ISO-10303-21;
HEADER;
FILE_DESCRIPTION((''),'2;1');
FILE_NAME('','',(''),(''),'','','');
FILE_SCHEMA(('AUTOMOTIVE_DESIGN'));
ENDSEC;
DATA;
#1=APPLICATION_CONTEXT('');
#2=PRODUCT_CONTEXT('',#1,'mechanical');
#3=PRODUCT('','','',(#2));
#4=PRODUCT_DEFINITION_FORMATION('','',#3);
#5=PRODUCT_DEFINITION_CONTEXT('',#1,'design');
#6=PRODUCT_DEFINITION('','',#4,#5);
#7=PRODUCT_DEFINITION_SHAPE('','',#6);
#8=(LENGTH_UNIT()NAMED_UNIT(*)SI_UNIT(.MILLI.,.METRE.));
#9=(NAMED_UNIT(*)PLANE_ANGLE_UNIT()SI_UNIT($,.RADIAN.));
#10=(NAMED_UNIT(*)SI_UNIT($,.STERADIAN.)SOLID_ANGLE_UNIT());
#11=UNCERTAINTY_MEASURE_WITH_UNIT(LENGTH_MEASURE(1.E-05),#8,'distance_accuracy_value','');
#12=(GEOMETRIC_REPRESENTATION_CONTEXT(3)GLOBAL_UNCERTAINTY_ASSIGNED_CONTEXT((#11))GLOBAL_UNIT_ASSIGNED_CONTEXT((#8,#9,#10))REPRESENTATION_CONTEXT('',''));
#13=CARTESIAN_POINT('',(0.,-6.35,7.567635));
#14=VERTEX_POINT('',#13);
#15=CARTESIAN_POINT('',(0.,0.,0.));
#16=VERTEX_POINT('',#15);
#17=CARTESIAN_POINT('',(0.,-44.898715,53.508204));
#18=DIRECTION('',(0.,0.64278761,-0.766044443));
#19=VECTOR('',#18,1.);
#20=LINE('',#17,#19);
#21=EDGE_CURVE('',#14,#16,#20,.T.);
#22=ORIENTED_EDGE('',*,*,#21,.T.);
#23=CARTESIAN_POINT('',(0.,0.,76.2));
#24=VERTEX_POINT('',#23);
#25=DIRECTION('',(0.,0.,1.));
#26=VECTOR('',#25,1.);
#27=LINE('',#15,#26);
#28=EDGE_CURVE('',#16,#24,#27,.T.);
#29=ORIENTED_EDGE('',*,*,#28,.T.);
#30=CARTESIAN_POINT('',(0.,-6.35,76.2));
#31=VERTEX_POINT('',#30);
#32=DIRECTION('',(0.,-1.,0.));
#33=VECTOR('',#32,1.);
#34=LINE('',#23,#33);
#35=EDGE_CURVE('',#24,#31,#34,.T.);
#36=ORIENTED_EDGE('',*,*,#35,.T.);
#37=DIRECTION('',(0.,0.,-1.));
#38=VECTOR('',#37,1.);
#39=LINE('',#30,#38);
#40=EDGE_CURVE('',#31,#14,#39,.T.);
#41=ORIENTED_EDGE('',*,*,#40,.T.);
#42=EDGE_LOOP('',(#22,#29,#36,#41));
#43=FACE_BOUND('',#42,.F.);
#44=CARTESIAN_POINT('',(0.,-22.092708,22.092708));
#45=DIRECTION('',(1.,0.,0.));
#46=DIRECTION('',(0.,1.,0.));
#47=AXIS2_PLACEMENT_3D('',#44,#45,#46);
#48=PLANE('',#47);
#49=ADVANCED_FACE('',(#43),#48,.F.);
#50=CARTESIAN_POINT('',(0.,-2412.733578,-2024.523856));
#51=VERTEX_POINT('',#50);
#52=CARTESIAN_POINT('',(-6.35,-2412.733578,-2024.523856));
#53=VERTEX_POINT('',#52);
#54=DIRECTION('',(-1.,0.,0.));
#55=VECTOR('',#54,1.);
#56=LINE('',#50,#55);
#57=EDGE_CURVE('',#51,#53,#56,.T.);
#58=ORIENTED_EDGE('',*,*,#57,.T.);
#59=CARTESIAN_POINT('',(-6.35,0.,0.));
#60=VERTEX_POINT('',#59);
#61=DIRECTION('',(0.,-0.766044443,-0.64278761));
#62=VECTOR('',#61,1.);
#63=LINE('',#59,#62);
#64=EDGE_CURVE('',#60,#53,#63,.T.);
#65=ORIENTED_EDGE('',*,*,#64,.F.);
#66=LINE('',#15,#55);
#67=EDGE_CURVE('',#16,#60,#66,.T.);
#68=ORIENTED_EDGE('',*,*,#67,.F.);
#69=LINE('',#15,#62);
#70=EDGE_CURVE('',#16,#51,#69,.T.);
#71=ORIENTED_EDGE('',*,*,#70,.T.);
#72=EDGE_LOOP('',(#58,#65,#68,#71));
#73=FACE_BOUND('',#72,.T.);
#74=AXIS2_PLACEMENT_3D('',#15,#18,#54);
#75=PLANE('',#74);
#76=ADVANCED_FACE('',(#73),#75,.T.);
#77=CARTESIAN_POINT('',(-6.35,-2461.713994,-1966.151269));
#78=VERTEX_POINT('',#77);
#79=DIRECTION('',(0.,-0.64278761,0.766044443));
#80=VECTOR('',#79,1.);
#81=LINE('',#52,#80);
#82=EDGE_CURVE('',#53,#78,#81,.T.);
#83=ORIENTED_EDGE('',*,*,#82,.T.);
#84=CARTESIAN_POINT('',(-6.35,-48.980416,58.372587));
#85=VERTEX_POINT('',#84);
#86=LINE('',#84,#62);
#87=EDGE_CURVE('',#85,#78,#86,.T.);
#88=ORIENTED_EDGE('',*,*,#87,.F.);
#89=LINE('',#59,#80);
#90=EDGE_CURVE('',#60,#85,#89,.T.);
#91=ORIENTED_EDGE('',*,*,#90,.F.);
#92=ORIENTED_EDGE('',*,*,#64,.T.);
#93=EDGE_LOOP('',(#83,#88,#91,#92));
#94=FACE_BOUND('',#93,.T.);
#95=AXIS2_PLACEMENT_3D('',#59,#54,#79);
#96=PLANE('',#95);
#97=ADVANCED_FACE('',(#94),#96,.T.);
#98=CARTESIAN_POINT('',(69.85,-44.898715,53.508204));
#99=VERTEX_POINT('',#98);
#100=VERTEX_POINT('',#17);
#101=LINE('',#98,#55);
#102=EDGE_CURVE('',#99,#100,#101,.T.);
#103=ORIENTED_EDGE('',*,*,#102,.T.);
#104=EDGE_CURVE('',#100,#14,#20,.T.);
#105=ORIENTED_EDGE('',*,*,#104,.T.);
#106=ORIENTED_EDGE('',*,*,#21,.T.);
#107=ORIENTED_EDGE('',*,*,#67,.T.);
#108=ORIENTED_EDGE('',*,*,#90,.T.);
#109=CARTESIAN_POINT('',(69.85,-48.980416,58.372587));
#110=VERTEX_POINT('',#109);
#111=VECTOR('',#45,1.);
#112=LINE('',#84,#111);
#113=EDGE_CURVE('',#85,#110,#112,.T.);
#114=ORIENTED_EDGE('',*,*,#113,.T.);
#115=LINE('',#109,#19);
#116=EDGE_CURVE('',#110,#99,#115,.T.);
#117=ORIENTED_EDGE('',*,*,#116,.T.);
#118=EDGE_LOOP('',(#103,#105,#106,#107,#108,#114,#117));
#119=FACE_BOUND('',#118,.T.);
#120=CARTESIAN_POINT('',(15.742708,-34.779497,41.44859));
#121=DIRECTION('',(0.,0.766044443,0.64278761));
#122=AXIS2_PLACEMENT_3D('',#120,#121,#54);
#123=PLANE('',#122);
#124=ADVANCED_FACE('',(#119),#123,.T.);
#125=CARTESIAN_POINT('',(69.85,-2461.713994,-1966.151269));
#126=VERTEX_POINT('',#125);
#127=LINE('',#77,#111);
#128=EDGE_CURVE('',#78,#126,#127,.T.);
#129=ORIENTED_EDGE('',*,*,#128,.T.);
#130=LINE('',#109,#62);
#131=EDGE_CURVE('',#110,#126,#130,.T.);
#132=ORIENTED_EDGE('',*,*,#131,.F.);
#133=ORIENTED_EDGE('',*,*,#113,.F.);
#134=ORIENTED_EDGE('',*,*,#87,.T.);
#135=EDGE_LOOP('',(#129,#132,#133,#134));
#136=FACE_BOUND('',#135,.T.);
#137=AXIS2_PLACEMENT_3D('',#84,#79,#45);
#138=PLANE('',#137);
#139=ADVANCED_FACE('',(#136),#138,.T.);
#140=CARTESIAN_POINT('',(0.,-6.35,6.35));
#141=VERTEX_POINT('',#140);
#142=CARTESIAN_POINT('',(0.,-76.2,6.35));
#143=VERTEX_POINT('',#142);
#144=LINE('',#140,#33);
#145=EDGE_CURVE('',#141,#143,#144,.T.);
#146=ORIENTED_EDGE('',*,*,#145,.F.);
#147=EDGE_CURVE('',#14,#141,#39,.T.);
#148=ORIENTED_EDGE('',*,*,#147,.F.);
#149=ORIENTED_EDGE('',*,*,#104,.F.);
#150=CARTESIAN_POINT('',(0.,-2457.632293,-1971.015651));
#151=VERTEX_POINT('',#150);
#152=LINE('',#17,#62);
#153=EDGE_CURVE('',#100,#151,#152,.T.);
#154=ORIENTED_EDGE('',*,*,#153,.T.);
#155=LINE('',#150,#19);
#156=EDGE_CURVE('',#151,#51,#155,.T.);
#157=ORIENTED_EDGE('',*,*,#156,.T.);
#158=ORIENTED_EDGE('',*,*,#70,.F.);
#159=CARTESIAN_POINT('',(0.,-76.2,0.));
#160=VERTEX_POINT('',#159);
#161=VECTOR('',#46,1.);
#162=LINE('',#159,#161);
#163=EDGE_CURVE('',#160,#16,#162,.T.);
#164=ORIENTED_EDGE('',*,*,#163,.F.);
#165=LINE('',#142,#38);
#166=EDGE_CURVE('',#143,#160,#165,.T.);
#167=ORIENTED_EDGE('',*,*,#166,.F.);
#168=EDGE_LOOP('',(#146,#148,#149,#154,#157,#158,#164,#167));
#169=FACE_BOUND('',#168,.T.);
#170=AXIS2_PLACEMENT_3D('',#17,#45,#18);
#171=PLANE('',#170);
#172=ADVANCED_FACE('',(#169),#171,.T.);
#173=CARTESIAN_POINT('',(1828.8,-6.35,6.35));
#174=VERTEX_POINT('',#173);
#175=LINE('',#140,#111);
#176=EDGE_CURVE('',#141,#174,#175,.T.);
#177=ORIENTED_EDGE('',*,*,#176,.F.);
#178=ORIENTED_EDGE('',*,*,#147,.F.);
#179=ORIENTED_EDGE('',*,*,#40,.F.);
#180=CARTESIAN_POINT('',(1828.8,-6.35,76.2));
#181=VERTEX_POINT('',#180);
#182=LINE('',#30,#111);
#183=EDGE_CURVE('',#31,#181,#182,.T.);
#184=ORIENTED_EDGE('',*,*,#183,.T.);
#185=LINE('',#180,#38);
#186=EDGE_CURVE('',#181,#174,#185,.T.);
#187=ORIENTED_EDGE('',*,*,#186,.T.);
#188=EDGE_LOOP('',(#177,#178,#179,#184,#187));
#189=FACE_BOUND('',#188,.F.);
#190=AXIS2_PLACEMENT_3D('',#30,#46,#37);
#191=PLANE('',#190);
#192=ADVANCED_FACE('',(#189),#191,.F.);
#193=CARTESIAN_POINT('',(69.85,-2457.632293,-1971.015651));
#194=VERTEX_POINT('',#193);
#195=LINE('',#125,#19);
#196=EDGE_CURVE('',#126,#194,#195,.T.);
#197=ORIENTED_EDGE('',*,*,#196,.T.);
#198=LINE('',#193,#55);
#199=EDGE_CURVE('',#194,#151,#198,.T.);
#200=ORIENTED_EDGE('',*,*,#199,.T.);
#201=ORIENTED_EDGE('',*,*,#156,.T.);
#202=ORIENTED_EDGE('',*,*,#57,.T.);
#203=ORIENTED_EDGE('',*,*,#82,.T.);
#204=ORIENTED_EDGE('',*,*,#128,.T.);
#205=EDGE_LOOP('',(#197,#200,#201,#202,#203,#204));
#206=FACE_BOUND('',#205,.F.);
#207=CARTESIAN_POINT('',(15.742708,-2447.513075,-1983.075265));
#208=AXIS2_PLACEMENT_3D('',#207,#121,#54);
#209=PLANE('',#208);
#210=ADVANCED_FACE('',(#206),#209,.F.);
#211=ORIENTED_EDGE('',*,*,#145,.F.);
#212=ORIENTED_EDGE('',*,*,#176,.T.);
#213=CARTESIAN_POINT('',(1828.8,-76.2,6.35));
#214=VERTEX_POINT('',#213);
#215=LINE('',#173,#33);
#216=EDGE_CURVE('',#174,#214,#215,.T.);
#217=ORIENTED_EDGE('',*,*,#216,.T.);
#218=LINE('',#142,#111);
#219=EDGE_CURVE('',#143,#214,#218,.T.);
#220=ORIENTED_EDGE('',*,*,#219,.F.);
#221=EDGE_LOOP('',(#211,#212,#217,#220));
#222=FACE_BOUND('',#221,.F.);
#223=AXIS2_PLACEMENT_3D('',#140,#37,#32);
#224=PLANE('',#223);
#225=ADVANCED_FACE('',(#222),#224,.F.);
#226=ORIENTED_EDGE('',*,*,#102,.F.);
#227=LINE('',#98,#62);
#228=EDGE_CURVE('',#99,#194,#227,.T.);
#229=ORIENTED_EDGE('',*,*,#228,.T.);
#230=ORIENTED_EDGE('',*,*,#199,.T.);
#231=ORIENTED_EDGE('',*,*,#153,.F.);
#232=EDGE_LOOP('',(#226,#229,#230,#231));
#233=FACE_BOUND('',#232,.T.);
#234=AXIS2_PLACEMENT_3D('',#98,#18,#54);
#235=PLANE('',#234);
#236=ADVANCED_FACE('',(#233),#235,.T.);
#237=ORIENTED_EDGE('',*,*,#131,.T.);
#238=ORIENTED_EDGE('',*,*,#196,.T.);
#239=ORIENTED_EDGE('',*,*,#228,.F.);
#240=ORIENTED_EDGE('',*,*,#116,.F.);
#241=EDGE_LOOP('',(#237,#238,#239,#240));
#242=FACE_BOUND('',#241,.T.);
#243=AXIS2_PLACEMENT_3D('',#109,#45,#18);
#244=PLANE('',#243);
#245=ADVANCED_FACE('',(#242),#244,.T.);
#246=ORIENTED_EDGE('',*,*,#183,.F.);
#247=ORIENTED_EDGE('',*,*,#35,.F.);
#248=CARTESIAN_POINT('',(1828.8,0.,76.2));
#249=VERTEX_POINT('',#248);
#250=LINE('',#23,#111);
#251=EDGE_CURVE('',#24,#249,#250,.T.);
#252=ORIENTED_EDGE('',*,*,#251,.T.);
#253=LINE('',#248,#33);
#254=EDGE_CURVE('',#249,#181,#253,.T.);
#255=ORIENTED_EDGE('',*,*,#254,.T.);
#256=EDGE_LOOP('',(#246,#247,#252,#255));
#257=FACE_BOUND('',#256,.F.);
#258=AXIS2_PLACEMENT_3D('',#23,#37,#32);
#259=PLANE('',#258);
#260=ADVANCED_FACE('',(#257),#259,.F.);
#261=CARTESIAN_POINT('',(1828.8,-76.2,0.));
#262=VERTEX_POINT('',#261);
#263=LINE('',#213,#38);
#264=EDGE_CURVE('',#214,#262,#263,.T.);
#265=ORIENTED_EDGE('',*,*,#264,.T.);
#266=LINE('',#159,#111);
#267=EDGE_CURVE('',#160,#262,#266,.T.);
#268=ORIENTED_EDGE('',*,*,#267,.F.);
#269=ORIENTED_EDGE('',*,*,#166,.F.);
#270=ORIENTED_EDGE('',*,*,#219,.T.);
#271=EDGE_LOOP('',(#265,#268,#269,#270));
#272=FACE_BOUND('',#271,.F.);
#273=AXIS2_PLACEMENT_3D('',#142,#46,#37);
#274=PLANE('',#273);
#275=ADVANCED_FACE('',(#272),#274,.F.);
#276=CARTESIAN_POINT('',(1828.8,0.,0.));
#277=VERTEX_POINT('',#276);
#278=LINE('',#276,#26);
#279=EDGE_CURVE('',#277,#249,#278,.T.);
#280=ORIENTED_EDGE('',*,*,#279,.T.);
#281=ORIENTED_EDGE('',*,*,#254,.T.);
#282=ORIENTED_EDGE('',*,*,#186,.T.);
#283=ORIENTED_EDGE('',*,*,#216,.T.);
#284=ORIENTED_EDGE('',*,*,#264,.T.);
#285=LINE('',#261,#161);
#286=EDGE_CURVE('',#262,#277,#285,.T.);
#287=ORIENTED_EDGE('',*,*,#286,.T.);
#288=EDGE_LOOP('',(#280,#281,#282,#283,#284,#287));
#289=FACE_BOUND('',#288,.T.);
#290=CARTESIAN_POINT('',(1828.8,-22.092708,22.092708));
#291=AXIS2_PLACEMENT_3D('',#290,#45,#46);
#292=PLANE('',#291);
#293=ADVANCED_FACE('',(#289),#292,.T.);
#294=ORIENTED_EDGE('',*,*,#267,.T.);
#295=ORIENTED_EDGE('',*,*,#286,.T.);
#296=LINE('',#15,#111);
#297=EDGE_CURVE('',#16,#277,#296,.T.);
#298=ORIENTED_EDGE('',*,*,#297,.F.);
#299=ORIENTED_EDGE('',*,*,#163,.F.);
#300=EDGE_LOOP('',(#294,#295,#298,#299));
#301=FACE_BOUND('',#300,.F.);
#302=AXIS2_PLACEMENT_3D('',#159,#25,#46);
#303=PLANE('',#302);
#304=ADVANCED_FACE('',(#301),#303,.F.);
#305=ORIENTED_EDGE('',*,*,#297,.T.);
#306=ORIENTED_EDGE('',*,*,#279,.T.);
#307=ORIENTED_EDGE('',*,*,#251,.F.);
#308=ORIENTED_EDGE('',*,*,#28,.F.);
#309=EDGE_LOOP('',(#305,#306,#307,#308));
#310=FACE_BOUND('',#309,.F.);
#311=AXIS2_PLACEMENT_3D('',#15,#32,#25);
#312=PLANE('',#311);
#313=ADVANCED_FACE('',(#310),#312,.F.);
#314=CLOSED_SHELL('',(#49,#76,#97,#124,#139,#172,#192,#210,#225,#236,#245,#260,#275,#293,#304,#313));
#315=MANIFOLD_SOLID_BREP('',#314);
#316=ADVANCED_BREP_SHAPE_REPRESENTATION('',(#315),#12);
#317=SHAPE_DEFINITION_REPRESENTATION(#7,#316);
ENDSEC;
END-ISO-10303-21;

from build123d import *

# Parameters (mm, degrees)
F1_DEPTH = 1828.8
F4_DEPTH = 3149.6


with BuildPart() as f1:
    # F0 (on Right) → F1 (new body)
    with BuildSketch(Plane.YZ):
        Polygon((-76.2, 0), (0, 0), (0, 76.2), (-6.35, 76.2), (-6.35, 6.35), (-76.2, 6.35), align=None)
    extrude(amount=F1_DEPTH)

    # F3 (on face) → F4 (join)
    with BuildSketch(Plane(origin=(0, 0, 0), x_dir=(-1, 0, 0), z_dir=(0, 0.7660444431, 0.6427876097))):
        Polygon((0, 0), (6.35, 0), (6.35, 76.2), (-69.85, 76.2), (-69.85, 69.85), (0, 69.85), align=None)
    extrude(amount=-F4_DEPTH)


solid = f1.part
